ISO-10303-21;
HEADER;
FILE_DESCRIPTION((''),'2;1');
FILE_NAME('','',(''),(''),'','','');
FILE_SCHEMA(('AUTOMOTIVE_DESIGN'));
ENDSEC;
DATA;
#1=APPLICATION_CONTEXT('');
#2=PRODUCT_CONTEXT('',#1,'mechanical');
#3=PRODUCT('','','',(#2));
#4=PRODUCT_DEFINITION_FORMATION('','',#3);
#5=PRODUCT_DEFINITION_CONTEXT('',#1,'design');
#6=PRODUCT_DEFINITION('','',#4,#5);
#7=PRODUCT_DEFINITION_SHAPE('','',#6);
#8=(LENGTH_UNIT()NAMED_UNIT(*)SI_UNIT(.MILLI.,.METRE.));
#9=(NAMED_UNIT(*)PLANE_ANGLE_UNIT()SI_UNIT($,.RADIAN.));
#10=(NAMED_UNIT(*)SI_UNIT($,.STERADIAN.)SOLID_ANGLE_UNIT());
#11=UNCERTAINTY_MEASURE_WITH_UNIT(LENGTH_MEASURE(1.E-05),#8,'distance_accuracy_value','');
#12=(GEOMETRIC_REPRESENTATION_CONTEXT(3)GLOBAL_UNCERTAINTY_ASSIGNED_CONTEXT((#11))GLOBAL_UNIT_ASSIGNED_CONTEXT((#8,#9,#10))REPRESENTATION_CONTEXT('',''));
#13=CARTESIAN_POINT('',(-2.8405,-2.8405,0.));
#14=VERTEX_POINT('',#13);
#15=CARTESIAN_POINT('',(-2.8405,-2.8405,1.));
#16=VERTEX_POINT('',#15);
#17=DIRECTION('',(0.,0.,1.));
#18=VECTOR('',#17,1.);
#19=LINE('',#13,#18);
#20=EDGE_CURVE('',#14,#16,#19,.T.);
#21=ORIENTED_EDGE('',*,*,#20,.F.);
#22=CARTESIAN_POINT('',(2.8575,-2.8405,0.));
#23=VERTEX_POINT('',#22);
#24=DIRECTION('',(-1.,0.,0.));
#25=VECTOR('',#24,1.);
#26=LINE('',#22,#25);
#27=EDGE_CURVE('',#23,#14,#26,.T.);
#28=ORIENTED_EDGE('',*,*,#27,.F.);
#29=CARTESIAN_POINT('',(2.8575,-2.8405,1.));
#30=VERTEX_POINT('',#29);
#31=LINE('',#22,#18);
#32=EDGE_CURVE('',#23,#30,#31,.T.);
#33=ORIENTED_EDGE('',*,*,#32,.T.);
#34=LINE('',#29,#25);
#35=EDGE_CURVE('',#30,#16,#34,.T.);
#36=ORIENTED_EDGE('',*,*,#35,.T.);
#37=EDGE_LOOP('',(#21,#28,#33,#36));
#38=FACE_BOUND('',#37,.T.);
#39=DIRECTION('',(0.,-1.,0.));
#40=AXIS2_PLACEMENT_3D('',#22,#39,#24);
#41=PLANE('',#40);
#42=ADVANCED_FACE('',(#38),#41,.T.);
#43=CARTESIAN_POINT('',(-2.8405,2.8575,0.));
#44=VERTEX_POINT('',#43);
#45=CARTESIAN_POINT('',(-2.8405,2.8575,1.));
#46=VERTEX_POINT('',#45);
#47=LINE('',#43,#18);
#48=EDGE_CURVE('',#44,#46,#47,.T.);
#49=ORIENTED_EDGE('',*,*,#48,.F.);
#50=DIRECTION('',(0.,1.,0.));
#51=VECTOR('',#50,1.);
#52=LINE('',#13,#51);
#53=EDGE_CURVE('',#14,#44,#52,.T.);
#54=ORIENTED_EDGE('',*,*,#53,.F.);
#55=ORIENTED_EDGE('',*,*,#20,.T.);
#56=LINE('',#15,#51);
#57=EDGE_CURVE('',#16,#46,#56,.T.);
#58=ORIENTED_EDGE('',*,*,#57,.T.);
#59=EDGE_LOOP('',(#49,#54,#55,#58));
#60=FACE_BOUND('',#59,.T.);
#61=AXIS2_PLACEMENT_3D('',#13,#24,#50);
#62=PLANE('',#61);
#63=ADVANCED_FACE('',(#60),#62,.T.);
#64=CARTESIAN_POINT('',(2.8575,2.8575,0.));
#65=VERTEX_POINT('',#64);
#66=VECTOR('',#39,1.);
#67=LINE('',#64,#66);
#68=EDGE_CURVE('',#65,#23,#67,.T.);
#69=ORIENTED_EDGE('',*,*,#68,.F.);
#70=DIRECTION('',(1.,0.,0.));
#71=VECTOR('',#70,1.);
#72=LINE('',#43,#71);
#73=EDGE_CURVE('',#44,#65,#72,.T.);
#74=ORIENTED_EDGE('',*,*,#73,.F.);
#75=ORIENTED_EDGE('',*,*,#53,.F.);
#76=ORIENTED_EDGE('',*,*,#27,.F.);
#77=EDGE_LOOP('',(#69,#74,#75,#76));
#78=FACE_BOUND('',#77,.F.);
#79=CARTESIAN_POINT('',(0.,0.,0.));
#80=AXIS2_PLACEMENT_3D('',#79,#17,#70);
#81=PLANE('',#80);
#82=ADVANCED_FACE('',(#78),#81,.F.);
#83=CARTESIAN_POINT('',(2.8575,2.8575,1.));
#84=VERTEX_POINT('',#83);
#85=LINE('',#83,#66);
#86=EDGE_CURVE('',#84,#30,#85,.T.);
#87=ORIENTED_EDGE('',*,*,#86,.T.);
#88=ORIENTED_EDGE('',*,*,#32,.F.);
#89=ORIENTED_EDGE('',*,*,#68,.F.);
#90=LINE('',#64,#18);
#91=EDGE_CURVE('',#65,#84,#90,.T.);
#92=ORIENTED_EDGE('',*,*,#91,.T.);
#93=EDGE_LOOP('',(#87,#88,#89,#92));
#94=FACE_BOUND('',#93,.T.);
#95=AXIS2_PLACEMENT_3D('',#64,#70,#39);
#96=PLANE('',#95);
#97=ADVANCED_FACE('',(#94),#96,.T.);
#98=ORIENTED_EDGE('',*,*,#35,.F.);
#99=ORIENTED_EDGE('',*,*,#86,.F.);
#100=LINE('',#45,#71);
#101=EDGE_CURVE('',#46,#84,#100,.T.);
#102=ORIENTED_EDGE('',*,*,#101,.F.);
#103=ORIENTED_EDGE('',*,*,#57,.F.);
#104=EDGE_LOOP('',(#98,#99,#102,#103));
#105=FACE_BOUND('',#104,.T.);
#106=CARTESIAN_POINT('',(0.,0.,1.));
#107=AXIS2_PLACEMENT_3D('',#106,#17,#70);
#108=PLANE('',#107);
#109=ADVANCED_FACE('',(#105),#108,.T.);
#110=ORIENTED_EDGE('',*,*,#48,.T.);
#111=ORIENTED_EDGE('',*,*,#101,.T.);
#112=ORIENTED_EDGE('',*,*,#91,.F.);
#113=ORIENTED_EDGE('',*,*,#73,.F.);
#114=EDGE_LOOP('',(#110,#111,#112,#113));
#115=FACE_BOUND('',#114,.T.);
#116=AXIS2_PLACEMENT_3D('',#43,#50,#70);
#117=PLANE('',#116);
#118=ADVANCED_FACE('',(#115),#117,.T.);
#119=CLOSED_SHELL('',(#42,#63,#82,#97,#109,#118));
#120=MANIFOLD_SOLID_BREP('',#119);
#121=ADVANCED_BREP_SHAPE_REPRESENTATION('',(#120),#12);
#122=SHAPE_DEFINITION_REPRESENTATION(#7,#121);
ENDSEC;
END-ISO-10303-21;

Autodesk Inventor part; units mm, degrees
ref_plane "YZ Plane" through (0, 0, 0) normal (1, 0, 0) x (0, 1, 0)
ref_plane "XZ Plane" through (0, 0, 0) normal (0, 1, 0) x (-1, 0, 0)
ref_plane "XY Plane" through (0, 0, 0) normal (0, 0, 1) x (1, 0, 0)
sketch "QFN32_050050, A4982_170" plane through (0, 0, 0) normal (0, 0, 1) x (1, 0, 0)
  line L0 (-2.8405, 2.8575) -> (2.8575, 2.8575)
  line L1 (2.8575, 2.8575) -> (2.8575, -2.8405)
  line L2 (2.8575, -2.8405) -> (-2.8405, -2.8405)
  line L3 (-2.8405, -2.8405) -> (-2.8405, 2.8575)
extrude "Extrusion1" add sketch "QFN32_050050, A4982_170" along normal blind 1
properties part number "A4982"
